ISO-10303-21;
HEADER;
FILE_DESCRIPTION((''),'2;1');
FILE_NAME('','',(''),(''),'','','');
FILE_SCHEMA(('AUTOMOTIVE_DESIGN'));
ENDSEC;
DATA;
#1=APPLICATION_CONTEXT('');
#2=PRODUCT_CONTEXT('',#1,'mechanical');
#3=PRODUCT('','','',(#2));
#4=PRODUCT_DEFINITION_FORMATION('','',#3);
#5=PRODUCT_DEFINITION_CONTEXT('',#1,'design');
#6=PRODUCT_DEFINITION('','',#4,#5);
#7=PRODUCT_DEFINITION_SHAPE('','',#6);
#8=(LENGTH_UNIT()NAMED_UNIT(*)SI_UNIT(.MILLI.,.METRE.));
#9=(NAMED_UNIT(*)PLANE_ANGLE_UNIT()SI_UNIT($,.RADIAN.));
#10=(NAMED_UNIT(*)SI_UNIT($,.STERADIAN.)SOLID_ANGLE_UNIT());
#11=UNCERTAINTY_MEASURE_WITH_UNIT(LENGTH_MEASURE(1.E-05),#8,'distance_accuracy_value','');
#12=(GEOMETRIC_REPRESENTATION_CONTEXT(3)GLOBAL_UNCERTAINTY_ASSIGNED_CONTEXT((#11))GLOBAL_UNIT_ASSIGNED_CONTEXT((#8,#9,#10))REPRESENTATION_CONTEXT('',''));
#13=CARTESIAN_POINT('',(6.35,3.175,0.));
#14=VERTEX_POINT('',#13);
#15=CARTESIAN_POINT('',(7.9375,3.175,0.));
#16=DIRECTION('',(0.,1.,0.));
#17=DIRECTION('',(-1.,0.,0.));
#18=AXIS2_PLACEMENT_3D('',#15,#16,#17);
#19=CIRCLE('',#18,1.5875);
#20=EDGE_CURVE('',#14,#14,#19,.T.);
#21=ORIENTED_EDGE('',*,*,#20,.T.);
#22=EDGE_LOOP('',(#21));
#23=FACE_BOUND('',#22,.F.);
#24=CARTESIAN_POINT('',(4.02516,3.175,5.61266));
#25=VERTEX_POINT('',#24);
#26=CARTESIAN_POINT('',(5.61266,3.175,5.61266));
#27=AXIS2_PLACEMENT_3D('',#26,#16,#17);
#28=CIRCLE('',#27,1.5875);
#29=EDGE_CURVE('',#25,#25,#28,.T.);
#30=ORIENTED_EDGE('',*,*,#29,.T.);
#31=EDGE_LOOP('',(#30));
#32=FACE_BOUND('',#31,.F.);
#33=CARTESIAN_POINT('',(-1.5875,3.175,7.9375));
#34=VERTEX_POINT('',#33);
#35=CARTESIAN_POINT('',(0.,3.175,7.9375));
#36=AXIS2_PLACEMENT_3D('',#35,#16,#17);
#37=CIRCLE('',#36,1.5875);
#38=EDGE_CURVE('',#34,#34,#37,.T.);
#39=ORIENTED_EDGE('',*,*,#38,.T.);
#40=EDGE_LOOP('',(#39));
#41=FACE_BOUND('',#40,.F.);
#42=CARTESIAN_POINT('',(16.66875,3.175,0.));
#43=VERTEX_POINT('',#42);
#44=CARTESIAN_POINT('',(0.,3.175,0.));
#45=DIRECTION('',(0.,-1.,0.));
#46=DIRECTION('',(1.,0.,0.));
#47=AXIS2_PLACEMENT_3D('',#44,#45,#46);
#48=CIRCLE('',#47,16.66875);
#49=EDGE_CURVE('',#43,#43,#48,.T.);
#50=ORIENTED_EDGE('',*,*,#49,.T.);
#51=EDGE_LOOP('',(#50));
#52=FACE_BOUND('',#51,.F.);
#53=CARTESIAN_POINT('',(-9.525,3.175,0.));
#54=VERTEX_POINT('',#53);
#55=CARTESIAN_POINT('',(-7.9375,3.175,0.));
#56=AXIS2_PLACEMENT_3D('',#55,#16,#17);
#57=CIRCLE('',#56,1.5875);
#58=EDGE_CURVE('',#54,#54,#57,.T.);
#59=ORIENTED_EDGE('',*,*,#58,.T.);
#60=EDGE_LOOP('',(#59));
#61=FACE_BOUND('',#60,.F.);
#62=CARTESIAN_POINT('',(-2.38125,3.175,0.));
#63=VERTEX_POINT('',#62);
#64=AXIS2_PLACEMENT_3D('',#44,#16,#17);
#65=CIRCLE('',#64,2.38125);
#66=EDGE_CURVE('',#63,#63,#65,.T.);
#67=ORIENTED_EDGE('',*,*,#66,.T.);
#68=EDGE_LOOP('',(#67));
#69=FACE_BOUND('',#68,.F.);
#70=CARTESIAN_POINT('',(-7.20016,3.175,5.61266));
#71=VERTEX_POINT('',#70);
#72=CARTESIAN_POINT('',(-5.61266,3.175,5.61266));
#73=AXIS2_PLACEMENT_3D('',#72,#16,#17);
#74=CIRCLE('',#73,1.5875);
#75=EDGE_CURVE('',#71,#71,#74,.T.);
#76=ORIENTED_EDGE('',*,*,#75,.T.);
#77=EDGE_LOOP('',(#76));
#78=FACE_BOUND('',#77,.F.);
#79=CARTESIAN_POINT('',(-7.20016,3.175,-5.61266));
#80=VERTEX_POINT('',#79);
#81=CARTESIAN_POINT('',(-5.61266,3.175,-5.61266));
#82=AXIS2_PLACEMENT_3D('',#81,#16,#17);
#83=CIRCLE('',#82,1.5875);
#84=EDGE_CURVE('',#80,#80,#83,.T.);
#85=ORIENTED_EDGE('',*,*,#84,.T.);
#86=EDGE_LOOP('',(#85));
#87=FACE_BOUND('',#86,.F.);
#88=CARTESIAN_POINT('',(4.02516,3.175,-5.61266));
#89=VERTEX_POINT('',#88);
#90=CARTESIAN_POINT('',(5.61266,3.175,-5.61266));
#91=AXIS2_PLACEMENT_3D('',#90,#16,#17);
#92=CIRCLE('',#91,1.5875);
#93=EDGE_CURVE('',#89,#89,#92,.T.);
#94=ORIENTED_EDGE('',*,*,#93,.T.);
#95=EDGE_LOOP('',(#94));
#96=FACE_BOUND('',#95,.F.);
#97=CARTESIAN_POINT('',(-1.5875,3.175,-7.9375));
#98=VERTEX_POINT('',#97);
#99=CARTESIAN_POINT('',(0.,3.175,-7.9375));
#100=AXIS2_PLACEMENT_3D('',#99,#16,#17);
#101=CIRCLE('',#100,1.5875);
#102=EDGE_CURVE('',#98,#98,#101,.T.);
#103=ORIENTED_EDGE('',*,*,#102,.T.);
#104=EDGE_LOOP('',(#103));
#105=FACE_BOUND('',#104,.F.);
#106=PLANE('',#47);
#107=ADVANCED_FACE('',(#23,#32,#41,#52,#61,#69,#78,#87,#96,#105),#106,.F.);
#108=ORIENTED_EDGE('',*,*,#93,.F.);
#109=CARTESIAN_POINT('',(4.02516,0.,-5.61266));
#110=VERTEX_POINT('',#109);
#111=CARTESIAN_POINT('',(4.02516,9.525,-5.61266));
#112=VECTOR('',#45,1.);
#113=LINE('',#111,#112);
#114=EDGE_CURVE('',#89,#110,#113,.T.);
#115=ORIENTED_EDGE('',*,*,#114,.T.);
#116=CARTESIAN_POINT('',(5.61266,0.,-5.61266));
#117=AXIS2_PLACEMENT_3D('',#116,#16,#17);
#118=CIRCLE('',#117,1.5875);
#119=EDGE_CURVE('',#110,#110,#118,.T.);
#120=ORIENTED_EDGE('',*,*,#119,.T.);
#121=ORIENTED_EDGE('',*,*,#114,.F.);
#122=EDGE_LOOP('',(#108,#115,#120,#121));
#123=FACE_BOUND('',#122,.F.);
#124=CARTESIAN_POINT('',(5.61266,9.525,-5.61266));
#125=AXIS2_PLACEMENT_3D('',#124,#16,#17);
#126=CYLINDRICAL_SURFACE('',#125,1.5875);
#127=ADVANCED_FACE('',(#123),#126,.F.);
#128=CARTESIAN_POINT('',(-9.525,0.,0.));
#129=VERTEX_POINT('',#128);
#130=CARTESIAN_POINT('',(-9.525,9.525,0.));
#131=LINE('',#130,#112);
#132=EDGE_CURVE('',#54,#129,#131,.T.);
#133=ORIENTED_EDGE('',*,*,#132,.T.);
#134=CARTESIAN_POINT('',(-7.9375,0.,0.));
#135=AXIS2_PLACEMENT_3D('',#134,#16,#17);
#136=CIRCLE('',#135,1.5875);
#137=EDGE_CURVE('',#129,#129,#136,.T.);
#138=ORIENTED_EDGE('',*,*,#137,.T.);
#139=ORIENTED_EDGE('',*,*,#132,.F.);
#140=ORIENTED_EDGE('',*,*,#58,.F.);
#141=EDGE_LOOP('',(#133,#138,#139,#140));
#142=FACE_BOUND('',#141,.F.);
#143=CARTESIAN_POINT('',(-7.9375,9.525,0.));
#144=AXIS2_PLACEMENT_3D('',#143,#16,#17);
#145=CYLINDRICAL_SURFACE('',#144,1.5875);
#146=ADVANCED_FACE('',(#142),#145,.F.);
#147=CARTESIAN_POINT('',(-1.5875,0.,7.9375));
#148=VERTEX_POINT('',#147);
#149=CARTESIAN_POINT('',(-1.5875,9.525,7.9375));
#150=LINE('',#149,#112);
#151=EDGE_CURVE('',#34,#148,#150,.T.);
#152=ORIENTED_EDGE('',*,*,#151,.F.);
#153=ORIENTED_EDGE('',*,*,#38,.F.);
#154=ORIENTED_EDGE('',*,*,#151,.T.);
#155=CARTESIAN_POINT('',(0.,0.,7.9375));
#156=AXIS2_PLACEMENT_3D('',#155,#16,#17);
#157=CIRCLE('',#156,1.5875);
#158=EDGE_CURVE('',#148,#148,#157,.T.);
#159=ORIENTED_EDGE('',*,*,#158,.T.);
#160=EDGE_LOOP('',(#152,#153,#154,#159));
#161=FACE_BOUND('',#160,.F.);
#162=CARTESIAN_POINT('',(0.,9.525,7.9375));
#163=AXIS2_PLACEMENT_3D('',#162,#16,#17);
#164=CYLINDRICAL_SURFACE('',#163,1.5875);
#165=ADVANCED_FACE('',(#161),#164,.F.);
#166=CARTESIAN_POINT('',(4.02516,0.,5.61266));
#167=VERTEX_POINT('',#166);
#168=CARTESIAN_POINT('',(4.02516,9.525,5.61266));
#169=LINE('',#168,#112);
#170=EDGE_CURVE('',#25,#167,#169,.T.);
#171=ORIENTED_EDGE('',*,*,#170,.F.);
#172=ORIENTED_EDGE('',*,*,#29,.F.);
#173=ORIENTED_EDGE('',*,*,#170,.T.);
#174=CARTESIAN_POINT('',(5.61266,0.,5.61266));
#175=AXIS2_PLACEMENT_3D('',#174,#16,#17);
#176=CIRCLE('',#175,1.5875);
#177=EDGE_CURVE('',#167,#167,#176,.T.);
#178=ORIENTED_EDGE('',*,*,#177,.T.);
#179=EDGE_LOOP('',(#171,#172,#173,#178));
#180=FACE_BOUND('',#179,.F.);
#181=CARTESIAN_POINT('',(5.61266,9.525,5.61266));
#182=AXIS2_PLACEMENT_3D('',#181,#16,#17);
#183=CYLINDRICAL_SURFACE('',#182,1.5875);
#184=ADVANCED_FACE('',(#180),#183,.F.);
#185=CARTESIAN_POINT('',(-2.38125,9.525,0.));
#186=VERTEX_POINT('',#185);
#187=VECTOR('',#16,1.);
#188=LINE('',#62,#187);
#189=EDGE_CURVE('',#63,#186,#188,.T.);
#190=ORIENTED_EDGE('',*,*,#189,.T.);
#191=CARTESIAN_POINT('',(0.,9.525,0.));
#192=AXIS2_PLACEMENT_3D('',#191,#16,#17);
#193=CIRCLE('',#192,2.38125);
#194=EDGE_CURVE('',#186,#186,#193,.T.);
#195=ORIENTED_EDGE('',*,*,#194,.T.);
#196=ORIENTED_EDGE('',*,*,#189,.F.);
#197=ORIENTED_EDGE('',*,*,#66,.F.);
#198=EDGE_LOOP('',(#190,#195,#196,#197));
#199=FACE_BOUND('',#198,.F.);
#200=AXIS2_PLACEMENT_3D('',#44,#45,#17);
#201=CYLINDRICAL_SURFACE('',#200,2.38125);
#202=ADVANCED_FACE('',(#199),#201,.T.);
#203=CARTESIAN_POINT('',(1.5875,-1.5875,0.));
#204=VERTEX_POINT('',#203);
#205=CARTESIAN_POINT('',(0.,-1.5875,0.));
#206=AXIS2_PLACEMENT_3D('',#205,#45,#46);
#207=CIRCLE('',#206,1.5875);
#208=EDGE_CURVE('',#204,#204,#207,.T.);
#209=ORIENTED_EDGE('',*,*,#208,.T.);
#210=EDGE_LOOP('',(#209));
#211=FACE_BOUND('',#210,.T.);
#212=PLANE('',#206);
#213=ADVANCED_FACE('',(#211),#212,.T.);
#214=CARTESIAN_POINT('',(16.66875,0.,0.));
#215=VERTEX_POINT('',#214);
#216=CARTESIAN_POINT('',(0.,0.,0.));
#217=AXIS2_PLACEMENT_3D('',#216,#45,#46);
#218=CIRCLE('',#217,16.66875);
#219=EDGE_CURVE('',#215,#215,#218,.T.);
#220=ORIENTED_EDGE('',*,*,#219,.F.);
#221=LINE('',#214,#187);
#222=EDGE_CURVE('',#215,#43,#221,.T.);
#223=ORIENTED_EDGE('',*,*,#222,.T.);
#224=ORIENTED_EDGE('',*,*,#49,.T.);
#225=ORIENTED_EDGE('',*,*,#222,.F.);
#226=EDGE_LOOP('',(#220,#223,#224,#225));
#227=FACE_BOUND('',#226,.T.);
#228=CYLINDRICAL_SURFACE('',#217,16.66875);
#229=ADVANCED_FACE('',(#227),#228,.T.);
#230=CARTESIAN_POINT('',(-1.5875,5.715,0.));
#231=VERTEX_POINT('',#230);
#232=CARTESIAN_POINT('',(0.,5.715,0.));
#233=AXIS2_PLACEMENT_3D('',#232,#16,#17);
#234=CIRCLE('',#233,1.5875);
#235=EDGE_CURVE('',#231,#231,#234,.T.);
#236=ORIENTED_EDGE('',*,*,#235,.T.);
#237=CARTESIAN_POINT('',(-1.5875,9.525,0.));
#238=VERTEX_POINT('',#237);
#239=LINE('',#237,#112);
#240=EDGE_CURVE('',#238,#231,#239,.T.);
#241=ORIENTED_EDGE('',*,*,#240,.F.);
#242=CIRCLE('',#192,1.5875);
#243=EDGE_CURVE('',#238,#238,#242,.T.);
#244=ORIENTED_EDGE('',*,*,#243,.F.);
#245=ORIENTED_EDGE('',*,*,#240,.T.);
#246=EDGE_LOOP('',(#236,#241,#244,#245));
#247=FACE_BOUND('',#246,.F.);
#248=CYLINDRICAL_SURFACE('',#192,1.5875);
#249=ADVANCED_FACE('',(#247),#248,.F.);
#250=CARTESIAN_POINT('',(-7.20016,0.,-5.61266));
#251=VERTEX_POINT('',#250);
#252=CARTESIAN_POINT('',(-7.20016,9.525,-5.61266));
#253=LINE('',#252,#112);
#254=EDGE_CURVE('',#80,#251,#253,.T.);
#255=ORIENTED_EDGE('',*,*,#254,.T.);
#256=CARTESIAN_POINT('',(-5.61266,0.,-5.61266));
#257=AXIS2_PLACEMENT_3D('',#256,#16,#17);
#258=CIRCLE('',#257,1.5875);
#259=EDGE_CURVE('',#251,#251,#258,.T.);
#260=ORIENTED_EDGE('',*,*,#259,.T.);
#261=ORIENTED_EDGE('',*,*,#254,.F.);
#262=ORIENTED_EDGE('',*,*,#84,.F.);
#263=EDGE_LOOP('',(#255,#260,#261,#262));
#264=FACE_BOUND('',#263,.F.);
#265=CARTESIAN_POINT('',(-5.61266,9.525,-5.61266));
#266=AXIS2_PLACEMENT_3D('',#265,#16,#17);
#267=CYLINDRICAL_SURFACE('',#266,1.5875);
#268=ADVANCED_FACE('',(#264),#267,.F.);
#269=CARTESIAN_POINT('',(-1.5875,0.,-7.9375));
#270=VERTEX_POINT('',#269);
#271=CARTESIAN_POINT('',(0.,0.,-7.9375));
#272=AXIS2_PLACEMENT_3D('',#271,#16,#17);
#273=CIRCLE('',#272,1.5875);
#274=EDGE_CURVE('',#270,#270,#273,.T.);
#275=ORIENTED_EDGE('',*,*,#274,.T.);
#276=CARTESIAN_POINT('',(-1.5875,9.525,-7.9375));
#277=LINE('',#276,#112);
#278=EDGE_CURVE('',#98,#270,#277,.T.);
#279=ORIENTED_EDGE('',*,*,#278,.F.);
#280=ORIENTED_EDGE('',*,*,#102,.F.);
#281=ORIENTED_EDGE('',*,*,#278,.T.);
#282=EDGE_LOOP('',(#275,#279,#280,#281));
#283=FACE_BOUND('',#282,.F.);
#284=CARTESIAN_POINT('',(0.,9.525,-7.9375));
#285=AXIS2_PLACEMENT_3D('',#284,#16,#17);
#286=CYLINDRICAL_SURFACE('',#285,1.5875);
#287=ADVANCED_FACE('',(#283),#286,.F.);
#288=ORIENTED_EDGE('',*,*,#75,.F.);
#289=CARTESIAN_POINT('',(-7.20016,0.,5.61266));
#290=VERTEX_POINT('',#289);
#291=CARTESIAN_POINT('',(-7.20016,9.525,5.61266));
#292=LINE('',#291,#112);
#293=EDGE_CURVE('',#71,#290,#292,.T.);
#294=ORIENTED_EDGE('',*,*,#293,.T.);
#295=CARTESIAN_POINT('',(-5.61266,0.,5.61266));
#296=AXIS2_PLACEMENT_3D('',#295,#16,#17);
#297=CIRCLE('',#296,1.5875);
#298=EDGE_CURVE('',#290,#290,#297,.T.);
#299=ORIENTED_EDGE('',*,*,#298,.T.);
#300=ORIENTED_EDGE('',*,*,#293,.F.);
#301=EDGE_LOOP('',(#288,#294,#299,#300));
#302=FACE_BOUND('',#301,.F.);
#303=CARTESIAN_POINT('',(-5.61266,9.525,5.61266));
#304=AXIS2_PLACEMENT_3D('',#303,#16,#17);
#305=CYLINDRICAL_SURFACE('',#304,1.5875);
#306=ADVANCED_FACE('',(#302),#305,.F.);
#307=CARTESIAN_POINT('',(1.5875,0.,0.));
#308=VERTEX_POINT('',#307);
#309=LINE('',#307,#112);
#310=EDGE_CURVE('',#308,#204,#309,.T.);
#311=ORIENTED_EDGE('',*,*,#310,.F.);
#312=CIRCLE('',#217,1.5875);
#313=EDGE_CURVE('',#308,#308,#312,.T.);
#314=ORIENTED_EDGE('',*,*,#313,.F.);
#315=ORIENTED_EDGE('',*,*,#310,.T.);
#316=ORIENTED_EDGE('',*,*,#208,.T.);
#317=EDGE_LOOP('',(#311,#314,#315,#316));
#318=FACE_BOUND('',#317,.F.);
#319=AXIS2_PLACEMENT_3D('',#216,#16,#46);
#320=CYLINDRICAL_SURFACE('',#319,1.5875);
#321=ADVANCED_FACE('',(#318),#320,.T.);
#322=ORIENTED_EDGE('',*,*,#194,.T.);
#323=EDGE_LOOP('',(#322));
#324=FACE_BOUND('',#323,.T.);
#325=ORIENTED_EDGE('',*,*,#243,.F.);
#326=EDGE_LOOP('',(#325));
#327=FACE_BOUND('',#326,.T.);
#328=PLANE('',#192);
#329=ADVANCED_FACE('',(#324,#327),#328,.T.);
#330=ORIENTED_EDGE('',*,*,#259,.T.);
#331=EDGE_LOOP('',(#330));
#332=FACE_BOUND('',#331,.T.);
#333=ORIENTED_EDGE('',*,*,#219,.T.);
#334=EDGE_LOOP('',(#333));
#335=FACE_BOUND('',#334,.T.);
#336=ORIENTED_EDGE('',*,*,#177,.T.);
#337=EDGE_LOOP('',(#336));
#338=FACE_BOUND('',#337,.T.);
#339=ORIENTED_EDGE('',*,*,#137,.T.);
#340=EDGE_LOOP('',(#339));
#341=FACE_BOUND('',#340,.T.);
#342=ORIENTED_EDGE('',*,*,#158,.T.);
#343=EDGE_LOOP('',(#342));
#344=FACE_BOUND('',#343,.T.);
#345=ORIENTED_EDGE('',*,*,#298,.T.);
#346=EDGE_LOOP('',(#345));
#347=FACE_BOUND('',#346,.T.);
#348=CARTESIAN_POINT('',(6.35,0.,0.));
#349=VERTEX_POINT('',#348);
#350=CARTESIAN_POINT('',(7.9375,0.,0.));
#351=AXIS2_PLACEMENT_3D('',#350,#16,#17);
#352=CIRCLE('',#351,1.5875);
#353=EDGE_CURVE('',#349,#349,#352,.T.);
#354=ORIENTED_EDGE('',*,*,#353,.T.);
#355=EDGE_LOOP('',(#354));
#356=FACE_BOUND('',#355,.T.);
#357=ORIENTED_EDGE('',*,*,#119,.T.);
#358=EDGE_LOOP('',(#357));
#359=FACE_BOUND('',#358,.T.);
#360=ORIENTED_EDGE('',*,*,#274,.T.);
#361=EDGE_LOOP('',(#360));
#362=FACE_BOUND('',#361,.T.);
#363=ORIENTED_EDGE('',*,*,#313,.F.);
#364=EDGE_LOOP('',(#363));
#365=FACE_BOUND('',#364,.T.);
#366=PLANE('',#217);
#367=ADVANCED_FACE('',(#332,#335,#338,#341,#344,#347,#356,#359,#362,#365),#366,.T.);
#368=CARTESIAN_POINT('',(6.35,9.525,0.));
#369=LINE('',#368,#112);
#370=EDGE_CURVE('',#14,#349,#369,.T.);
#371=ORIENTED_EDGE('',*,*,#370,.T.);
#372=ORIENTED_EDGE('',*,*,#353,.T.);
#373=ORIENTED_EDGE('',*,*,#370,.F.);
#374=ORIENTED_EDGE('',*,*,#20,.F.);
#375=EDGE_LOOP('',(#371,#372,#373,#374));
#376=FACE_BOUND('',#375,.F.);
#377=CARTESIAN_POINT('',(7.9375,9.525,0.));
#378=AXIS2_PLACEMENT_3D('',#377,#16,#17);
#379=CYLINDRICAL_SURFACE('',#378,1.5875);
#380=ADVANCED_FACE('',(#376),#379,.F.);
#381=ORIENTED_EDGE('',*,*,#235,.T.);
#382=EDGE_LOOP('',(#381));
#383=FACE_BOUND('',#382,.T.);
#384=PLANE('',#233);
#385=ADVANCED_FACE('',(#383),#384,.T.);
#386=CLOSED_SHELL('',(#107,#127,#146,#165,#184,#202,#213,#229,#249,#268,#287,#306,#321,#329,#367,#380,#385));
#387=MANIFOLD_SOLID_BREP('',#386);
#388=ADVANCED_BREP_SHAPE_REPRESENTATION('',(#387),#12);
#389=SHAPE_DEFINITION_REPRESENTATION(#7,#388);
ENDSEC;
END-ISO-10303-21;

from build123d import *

# Parameters (mm, degrees)
F0_R     = 16.66875
F1_DEPTH = 3.175
F2_R     = 2.38125
F3_DEPTH = 6.35
F4_R     = 1.5875
F5_DEPTH = 25.4
F6_R     = 1.5875
F7_DEPTH = 1.5875
F8_R     = 1.5875
F9_DEPTH = 3.81


with BuildPart() as f1:
    # F0 (on Front) → F1 (new body)
    with BuildSketch(Plane.XZ):
        Circle(F0_R)
    extrude(amount=-F1_DEPTH)

    # F2 (on face) → F3 (join)
    with BuildSketch(Plane(origin=(0, 3.175, 0), x_dir=(-1, 0, 0), z_dir=(0, 1, 0))):
        Circle(F2_R)
    extrude(amount=F3_DEPTH)

    # F4 (on face) → F5 (cut)
    with BuildSketch(Plane(origin=(0, 9.525, 0), x_dir=(-1, 0, 0), z_dir=(0, 1, 0))):
        with Locations((7.9375, 0)):
            Circle(F4_R)
        with Locations((5.61266, 5.61266)):
            Circle(F4_R)
        with Locations((0, 7.9375)):
            Circle(F4_R)
        with Locations((-5.61266, 5.61266)):
            Circle(F4_R)
        with Locations((-7.9375, 0)):
            Circle(F4_R)
        with Locations((-5.61266, -5.61266)):
            Circle(F4_R)
        with Locations((0, -7.9375)):
            Circle(F4_R)
        with Locations((5.61266, -5.61266)):
            Circle(F4_R)
    extrude(amount=-F5_DEPTH, mode=Mode.SUBTRACT)

    # F6 (on face) → F7 (join)
    with BuildSketch(Plane.XZ):
        Circle(F6_R)
    extrude(amount=F7_DEPTH)

    # F8 (on face) → F9 (cut)
    with BuildSketch(Plane(origin=(0, 9.525, 0), x_dir=(-1, 0, 0), z_dir=(0, 1, 0))):
        Circle(F8_R)
    extrude(amount=-F9_DEPTH, mode=Mode.SUBTRACT)


solid = f1.part
